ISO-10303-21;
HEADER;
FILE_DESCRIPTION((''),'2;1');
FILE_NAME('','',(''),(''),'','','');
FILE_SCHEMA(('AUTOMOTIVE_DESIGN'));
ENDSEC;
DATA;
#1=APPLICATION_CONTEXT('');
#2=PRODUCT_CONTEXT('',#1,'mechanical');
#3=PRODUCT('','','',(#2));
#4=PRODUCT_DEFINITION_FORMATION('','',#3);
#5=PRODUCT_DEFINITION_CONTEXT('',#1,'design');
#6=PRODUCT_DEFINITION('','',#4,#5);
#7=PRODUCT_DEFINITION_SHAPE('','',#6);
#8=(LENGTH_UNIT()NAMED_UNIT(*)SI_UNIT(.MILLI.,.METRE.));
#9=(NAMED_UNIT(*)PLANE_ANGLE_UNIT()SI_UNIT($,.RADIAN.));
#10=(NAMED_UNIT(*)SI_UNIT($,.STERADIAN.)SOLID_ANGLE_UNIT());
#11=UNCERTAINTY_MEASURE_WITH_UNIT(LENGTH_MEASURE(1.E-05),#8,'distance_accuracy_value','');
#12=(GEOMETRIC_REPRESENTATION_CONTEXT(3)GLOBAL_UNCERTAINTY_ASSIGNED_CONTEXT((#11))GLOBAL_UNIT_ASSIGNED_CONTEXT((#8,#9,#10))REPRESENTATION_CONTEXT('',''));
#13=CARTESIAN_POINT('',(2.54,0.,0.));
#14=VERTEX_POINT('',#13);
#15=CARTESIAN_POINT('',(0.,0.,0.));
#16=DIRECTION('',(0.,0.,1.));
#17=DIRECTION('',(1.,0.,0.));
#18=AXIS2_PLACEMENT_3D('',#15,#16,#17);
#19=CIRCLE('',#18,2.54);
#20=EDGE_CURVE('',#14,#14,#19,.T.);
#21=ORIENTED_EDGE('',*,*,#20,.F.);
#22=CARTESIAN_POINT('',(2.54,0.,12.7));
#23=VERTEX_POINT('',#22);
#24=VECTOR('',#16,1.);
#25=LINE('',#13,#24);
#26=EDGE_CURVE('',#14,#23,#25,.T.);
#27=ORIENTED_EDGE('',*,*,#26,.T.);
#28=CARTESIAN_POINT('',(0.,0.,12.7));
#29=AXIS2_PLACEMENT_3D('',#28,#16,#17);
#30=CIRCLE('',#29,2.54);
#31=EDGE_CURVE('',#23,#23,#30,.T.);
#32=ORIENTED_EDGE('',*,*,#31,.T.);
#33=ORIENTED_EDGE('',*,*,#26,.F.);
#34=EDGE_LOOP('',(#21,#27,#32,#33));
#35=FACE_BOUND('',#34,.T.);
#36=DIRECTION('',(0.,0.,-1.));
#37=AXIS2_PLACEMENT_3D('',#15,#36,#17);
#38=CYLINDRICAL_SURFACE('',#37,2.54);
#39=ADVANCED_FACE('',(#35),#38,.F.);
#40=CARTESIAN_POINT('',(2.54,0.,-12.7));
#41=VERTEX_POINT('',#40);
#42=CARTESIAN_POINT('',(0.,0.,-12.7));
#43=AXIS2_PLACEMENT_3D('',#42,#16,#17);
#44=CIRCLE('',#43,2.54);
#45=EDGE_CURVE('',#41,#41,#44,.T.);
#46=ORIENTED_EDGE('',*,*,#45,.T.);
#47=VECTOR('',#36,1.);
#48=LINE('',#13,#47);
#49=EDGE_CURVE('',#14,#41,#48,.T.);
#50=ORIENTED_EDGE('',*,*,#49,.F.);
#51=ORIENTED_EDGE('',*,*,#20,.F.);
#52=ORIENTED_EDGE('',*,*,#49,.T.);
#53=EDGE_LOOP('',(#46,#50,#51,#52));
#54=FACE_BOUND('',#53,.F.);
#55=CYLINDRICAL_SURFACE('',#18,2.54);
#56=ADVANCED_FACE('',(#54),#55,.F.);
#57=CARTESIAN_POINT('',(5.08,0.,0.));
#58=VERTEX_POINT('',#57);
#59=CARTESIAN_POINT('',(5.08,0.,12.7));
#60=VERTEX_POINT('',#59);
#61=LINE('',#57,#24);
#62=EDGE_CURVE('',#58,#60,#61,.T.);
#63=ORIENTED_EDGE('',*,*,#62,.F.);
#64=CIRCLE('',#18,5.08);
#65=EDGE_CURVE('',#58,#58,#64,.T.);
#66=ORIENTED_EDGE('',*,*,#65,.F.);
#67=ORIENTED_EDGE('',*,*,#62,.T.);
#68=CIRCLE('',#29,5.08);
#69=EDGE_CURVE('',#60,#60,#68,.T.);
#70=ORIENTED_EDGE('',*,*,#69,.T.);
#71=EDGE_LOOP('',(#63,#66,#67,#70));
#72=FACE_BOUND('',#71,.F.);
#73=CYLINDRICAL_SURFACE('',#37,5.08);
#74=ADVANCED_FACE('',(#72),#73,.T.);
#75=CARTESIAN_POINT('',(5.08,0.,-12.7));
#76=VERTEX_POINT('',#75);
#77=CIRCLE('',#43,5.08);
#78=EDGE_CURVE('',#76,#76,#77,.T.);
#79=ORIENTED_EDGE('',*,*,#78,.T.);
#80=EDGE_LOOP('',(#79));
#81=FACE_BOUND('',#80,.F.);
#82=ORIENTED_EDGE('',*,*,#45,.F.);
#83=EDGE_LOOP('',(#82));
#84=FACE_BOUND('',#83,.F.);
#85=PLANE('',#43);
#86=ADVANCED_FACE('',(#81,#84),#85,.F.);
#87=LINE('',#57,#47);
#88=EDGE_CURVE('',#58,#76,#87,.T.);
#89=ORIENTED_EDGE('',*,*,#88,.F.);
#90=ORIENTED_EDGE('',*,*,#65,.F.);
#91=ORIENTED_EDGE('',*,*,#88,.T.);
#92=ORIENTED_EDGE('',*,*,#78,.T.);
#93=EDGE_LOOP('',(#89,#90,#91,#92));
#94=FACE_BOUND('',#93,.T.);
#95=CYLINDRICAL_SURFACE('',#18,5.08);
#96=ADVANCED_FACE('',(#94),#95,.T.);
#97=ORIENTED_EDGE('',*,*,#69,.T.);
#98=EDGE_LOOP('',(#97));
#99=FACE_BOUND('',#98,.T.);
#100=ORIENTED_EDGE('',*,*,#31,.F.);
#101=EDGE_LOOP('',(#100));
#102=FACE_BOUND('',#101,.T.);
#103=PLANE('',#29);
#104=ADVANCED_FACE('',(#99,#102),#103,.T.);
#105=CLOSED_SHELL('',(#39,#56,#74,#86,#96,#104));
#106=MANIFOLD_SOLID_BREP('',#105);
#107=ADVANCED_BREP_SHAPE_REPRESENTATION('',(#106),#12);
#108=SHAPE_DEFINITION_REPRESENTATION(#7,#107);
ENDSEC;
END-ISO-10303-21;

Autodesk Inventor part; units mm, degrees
ref_plane "YZ Plane" through (0, 0, 0) normal (1, 0, 0) x (0, 1, 0)
ref_plane "XZ Plane" through (0, 0, 0) normal (0, 1, 0) x (-1, 0, 0)
ref_plane "XY Plane" through (0, 0, 0) normal (0, 0, 1) x (1, 0, 0)
sketch "Sketch1" plane through (0, 0, 0) normal (0, 0, 1) x (1, 0, 0)
  circle A0 centre (0, 0) radius 2.54
  circle A1 centre (0, 0) radius 5.08
  dimension "d0" = 5.08
  dimension "d1" = 10.16
extrude "Extrusion1" add sketch "Sketch1" along normal mid plane 25.4
properties part number "1''_spacer"
